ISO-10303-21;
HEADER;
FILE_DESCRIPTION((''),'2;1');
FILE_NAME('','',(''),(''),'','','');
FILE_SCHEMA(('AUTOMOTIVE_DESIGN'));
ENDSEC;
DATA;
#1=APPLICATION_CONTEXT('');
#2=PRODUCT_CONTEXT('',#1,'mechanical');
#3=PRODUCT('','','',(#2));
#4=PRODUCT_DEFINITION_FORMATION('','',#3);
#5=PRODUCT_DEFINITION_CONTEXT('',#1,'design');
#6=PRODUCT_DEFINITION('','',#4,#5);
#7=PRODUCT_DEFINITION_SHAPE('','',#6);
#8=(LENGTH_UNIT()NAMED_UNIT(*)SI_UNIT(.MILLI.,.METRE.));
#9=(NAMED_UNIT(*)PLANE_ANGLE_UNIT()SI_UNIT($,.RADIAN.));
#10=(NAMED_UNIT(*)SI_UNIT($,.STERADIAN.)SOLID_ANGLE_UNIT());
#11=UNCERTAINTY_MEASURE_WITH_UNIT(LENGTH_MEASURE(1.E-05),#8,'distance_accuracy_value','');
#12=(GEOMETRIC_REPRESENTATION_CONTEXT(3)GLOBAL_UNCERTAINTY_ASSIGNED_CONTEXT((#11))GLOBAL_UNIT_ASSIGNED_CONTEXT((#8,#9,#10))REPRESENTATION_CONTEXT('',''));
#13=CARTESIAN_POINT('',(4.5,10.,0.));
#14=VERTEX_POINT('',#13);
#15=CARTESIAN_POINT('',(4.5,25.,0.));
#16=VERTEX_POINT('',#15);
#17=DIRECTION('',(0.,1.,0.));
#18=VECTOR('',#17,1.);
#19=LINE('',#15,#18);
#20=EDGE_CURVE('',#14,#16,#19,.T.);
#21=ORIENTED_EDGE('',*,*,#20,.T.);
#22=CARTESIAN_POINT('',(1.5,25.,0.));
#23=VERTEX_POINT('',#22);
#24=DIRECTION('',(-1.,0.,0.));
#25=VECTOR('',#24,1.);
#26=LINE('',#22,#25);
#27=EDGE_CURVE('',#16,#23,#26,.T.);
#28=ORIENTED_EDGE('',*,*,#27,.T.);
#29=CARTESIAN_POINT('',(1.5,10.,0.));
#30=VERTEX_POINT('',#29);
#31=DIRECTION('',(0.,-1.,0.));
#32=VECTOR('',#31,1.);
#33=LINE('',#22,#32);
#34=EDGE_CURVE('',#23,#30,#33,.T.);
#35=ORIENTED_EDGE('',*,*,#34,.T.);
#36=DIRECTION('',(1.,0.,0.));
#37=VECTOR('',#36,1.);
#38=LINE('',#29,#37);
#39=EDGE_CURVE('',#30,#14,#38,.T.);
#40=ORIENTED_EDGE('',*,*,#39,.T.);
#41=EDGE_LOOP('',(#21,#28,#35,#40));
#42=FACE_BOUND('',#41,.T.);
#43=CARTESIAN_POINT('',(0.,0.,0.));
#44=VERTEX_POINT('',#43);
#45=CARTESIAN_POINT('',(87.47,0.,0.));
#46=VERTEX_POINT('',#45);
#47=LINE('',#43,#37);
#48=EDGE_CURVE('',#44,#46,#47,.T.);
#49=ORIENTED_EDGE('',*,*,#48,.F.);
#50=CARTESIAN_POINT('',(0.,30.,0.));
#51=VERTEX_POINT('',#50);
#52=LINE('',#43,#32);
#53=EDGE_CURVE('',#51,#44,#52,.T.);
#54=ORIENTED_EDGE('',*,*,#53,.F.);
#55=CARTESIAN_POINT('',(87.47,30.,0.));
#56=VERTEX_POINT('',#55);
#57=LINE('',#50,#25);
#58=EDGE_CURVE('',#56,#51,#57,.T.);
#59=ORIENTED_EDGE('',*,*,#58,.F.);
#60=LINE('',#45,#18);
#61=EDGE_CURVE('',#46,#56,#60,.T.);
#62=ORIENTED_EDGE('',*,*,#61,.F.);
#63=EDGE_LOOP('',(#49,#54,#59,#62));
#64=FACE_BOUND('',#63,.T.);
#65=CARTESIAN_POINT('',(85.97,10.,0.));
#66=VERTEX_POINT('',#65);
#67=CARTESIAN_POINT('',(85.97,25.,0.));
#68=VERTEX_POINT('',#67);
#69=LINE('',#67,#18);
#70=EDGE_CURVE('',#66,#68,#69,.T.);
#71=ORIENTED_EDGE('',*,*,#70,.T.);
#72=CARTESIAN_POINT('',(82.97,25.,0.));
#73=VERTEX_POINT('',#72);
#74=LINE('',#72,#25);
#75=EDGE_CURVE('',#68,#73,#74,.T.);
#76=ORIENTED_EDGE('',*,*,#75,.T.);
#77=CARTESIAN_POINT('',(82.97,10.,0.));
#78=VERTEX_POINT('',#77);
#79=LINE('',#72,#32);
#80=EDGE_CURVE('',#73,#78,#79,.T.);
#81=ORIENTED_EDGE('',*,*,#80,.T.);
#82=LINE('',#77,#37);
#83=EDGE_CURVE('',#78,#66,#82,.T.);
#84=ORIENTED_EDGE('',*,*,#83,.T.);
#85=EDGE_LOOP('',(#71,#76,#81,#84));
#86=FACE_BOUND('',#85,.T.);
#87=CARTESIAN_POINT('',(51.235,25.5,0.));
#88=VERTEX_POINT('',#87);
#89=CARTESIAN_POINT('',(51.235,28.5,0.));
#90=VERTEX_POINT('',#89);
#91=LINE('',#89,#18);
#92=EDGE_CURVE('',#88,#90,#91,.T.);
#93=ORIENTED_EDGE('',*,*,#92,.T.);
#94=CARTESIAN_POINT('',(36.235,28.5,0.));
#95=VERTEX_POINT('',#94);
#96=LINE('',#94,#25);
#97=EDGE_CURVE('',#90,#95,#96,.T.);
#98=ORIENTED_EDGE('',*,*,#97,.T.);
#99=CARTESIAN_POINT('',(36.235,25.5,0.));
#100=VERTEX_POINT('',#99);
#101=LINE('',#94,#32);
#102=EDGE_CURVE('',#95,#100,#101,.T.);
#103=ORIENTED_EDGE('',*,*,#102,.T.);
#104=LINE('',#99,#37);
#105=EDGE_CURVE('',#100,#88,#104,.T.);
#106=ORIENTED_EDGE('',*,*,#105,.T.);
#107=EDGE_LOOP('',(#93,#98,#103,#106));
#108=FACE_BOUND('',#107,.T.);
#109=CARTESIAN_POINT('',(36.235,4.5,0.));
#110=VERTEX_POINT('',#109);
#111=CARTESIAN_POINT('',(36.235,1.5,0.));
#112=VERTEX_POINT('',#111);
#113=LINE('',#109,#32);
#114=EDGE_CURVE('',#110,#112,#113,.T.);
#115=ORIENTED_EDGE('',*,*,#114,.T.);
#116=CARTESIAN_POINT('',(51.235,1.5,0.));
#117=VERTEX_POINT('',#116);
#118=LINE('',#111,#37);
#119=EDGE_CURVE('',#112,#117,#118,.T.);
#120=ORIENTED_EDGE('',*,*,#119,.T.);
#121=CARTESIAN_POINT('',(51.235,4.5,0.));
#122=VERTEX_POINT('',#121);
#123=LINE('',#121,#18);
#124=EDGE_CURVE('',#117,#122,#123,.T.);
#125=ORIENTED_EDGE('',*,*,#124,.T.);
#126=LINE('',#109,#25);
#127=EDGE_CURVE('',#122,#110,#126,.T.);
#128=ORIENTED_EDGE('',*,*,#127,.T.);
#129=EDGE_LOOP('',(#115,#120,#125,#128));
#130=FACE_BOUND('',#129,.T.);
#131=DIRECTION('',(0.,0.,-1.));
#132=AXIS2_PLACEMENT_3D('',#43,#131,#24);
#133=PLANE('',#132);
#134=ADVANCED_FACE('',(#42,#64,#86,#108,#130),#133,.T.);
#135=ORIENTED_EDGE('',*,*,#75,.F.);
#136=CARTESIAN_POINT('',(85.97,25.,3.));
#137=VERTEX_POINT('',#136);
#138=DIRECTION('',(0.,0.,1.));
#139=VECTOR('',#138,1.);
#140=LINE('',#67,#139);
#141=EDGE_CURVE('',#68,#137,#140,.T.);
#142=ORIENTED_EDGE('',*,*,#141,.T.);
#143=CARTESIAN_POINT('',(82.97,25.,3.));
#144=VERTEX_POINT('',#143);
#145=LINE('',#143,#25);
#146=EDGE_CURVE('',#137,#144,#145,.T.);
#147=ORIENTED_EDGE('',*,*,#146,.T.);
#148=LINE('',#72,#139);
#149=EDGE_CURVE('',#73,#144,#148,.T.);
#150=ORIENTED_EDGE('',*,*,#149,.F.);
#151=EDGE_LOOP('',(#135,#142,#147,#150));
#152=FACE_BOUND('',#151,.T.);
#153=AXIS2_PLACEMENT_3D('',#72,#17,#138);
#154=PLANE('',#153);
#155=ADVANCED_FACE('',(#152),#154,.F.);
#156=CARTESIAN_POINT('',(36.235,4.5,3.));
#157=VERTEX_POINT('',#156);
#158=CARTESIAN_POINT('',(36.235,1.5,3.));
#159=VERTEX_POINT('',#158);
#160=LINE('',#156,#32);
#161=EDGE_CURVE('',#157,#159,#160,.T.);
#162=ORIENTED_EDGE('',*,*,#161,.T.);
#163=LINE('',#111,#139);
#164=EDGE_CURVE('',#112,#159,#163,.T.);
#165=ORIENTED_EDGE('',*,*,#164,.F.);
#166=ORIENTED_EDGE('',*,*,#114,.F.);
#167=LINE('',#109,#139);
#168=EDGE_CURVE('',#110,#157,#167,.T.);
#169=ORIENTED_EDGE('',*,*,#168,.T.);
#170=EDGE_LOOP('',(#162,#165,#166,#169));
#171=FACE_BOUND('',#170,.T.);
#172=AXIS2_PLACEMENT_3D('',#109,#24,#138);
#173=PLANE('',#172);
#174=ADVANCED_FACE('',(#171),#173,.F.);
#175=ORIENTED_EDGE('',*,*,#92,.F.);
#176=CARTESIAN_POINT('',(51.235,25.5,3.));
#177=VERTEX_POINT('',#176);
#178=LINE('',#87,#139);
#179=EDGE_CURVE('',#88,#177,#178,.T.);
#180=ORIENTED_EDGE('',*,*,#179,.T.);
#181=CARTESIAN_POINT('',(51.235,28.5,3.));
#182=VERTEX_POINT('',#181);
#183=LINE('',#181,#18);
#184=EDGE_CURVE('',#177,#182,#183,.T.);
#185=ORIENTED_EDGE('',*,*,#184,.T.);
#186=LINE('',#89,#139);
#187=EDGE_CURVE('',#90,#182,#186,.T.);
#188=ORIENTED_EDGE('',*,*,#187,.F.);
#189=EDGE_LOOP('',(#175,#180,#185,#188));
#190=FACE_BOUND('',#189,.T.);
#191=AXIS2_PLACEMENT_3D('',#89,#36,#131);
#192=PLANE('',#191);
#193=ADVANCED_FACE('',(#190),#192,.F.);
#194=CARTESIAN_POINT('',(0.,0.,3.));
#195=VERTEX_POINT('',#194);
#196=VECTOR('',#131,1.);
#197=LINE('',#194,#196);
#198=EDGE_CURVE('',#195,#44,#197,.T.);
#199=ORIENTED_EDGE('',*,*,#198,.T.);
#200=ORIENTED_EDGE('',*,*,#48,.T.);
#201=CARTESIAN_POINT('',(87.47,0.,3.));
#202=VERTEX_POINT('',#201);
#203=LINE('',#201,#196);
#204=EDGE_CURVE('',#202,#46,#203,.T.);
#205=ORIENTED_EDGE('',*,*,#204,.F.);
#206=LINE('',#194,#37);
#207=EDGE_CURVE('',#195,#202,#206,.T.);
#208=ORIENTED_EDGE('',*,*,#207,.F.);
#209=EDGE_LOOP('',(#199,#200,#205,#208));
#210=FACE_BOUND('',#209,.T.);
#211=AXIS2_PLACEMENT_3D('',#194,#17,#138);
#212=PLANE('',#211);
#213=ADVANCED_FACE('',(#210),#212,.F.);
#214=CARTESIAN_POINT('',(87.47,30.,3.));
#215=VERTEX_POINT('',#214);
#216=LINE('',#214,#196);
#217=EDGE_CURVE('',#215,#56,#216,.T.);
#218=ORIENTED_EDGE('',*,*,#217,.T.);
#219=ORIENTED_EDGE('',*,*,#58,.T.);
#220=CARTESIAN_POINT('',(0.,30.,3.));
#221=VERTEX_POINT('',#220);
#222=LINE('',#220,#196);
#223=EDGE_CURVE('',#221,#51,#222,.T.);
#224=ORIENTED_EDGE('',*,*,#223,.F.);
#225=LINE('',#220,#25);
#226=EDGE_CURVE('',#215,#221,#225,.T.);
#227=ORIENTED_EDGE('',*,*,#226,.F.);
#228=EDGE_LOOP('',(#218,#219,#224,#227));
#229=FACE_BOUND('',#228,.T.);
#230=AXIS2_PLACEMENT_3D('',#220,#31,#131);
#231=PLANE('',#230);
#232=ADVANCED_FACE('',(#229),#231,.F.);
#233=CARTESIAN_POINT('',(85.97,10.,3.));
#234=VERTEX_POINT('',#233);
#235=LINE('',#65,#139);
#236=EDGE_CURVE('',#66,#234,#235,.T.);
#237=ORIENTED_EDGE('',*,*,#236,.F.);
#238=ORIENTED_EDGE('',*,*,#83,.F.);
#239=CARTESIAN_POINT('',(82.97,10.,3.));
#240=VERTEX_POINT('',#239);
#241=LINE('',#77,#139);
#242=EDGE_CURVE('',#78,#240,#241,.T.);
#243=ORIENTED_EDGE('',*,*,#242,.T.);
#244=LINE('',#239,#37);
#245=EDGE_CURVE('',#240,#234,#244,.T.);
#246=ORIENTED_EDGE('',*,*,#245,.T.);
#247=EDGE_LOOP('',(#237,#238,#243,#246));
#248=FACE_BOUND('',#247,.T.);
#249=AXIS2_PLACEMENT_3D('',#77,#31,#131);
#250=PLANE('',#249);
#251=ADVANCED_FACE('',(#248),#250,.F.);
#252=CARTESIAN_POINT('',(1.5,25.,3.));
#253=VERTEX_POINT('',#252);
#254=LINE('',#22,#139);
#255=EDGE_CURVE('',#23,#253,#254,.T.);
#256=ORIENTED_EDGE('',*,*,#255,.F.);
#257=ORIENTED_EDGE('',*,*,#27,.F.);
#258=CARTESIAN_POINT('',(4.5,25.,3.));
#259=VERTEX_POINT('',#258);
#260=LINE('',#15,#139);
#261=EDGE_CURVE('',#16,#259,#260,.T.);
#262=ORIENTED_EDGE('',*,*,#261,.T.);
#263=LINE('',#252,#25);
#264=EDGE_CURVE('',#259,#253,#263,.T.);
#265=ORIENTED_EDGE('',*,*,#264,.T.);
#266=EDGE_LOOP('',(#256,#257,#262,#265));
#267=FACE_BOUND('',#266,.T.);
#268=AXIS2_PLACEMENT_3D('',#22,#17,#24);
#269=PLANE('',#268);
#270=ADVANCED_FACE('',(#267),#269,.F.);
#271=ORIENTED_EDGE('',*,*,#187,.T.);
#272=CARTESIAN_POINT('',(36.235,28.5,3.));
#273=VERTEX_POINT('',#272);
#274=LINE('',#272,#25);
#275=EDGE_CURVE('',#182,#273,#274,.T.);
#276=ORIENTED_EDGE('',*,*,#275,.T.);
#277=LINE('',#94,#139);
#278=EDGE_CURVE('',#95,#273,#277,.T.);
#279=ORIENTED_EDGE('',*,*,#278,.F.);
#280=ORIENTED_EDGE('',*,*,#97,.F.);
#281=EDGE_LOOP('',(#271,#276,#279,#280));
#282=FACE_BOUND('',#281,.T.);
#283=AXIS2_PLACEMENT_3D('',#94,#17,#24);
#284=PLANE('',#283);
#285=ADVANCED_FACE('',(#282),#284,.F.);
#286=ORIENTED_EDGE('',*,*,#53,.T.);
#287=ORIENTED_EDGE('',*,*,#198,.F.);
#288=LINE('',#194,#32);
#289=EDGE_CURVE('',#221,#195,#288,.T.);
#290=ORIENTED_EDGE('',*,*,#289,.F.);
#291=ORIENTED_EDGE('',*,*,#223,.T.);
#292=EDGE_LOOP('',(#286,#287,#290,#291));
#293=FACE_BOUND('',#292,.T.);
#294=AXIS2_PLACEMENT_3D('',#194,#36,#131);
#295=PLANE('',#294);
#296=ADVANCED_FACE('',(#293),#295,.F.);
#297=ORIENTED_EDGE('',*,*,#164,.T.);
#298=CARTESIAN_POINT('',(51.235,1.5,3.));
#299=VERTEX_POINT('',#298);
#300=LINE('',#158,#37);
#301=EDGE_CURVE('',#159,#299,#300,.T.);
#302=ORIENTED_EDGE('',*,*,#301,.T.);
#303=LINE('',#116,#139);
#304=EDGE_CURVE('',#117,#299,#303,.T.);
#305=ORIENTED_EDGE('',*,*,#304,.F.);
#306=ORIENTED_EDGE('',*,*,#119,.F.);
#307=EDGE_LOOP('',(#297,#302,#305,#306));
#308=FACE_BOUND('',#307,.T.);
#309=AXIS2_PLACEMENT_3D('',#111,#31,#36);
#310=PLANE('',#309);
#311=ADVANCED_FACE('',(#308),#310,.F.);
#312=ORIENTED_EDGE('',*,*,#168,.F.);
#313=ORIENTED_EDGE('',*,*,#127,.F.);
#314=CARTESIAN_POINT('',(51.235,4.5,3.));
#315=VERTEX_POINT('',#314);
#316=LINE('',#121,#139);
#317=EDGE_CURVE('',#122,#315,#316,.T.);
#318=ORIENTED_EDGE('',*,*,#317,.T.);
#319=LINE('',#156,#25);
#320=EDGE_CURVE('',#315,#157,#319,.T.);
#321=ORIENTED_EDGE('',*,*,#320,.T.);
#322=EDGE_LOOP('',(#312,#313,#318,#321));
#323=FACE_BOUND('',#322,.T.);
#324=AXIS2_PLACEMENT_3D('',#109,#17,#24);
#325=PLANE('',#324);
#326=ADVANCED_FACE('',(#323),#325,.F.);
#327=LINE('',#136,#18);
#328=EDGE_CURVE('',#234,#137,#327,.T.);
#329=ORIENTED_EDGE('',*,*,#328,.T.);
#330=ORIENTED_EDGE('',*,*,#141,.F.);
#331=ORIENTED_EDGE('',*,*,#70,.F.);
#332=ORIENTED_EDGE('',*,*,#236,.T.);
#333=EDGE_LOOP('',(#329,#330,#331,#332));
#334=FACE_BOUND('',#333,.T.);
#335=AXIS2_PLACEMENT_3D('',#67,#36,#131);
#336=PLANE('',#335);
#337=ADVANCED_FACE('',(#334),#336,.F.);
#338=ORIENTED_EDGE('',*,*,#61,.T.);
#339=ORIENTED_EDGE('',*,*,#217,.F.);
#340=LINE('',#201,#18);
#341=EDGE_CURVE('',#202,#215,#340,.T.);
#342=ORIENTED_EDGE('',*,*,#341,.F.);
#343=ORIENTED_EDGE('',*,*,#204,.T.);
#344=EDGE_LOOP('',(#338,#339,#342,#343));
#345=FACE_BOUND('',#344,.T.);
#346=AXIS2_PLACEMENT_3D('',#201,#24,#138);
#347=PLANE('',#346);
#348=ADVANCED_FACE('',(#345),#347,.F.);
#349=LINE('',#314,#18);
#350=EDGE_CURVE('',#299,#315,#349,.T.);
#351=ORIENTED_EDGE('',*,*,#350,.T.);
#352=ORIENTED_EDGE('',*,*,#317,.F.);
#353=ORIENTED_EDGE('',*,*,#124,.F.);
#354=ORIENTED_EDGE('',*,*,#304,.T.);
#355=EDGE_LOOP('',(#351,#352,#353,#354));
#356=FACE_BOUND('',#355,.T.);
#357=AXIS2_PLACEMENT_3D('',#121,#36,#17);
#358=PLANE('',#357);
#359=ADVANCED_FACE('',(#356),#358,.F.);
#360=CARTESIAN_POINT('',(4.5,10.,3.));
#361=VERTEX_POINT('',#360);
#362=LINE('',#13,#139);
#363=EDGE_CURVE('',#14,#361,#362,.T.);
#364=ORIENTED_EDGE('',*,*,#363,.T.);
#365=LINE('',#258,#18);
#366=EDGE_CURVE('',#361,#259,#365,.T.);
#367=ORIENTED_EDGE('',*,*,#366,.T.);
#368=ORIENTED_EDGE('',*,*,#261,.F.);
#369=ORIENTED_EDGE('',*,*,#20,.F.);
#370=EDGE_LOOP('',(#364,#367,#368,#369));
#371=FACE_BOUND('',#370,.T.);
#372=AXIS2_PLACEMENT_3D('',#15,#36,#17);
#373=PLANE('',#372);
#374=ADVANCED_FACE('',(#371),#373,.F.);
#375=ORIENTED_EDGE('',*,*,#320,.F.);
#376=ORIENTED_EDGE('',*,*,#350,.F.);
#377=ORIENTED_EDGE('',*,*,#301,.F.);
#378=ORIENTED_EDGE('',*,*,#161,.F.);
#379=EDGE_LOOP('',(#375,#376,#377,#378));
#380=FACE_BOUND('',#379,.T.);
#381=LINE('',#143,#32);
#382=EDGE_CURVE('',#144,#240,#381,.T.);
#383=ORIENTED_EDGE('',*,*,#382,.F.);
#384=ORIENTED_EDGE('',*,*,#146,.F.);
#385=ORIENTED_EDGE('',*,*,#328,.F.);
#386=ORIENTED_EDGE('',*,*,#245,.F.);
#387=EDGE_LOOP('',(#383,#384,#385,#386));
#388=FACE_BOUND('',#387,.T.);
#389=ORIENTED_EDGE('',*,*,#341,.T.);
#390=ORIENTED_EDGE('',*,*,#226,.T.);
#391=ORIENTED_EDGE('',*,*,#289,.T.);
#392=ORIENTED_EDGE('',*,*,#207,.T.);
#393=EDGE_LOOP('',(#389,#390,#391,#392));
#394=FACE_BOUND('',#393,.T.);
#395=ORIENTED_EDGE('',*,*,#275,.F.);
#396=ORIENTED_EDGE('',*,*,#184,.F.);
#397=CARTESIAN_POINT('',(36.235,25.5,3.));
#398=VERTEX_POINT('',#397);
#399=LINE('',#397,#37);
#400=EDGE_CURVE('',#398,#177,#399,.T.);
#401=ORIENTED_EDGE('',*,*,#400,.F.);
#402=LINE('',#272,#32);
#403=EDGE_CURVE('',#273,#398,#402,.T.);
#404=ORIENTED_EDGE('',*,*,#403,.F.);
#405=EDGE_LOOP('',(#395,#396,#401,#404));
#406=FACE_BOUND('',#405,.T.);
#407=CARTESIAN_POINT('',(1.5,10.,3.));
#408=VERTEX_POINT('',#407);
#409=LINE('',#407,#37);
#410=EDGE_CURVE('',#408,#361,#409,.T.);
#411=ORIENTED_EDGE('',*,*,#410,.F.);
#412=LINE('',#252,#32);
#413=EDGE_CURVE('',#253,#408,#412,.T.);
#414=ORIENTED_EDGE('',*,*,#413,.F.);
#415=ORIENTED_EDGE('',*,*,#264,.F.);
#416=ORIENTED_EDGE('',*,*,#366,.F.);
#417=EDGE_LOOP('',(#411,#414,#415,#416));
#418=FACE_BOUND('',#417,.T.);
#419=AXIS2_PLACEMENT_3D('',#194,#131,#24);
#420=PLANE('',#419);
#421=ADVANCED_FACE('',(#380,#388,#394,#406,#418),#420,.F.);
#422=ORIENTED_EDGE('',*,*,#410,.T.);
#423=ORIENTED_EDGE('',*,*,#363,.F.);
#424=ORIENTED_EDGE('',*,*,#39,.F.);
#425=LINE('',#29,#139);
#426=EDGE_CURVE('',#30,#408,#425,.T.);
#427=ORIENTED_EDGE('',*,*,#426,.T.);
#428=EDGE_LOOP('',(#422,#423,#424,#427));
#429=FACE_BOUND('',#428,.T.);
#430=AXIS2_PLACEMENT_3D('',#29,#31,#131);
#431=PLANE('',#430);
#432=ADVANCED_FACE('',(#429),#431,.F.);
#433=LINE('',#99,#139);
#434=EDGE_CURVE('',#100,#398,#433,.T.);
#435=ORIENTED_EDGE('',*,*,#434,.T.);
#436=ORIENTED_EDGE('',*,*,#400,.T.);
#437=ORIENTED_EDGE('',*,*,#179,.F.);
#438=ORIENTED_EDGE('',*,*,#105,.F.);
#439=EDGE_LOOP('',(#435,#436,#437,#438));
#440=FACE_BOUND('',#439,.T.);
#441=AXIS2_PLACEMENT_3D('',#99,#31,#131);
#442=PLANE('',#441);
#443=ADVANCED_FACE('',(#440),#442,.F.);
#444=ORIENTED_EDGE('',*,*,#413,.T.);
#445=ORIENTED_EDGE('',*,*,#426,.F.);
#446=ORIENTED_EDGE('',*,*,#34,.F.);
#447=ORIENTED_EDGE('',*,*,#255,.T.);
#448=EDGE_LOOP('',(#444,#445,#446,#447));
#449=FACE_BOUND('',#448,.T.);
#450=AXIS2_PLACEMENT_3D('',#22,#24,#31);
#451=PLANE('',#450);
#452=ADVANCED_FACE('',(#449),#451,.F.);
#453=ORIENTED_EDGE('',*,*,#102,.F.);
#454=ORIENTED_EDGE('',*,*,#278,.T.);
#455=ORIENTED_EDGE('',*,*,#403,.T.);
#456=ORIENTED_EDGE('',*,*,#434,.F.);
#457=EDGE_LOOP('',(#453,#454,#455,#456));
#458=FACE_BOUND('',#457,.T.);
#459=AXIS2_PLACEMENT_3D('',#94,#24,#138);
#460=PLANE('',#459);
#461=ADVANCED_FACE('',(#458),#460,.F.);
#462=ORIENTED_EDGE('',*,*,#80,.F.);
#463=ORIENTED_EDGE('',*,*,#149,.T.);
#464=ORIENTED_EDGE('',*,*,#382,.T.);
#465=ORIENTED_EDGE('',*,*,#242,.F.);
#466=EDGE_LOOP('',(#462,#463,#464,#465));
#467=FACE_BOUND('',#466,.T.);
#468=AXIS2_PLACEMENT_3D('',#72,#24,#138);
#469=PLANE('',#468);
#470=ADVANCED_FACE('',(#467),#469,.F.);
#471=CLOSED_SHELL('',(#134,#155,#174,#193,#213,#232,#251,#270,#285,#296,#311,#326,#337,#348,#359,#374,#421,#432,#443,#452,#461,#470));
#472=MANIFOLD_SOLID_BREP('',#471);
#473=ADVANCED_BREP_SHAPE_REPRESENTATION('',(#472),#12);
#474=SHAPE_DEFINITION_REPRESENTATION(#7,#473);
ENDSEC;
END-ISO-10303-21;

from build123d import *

# Parameters (mm, degrees)
SKETCH1_W           = 87.47
SKETCH1_H           = 30
BOSS_EXTRUDE1_DEPTH = 3
SKETCH2_W           = 15
SKETCH2_H           = 3
SKETCH2_W_2         = 3
SKETCH2_H_2         = 15
CUT_EXTRUDE1_DEPTH  = 3


with BuildPart() as part:
    # Sketch1 → Boss-Extrude1 (new body)
    with BuildSketch(Plane.XY):
        with Locations((43.735, 15)):
            Rectangle(SKETCH1_W, SKETCH1_H)
    extrude(amount=BOSS_EXTRUDE1_DEPTH)

    # Sketch2 → Cut-Extrude1 (cut)
    with BuildSketch(Plane.XY.offset(3)):
        with Locations((43.735, 27)):
            Rectangle(SKETCH2_W, SKETCH2_H)
        with Locations((43.735, 3)):
            Rectangle(SKETCH2_W, SKETCH2_H)
        with Locations((3, 17.5)):
            Rectangle(SKETCH2_W_2, SKETCH2_H_2)
        with Locations((84.47, 17.5)):
            Rectangle(SKETCH2_W_2, SKETCH2_H_2)
    extrude(amount=-CUT_EXTRUDE1_DEPTH, mode=Mode.SUBTRACT)


solid = part.part
